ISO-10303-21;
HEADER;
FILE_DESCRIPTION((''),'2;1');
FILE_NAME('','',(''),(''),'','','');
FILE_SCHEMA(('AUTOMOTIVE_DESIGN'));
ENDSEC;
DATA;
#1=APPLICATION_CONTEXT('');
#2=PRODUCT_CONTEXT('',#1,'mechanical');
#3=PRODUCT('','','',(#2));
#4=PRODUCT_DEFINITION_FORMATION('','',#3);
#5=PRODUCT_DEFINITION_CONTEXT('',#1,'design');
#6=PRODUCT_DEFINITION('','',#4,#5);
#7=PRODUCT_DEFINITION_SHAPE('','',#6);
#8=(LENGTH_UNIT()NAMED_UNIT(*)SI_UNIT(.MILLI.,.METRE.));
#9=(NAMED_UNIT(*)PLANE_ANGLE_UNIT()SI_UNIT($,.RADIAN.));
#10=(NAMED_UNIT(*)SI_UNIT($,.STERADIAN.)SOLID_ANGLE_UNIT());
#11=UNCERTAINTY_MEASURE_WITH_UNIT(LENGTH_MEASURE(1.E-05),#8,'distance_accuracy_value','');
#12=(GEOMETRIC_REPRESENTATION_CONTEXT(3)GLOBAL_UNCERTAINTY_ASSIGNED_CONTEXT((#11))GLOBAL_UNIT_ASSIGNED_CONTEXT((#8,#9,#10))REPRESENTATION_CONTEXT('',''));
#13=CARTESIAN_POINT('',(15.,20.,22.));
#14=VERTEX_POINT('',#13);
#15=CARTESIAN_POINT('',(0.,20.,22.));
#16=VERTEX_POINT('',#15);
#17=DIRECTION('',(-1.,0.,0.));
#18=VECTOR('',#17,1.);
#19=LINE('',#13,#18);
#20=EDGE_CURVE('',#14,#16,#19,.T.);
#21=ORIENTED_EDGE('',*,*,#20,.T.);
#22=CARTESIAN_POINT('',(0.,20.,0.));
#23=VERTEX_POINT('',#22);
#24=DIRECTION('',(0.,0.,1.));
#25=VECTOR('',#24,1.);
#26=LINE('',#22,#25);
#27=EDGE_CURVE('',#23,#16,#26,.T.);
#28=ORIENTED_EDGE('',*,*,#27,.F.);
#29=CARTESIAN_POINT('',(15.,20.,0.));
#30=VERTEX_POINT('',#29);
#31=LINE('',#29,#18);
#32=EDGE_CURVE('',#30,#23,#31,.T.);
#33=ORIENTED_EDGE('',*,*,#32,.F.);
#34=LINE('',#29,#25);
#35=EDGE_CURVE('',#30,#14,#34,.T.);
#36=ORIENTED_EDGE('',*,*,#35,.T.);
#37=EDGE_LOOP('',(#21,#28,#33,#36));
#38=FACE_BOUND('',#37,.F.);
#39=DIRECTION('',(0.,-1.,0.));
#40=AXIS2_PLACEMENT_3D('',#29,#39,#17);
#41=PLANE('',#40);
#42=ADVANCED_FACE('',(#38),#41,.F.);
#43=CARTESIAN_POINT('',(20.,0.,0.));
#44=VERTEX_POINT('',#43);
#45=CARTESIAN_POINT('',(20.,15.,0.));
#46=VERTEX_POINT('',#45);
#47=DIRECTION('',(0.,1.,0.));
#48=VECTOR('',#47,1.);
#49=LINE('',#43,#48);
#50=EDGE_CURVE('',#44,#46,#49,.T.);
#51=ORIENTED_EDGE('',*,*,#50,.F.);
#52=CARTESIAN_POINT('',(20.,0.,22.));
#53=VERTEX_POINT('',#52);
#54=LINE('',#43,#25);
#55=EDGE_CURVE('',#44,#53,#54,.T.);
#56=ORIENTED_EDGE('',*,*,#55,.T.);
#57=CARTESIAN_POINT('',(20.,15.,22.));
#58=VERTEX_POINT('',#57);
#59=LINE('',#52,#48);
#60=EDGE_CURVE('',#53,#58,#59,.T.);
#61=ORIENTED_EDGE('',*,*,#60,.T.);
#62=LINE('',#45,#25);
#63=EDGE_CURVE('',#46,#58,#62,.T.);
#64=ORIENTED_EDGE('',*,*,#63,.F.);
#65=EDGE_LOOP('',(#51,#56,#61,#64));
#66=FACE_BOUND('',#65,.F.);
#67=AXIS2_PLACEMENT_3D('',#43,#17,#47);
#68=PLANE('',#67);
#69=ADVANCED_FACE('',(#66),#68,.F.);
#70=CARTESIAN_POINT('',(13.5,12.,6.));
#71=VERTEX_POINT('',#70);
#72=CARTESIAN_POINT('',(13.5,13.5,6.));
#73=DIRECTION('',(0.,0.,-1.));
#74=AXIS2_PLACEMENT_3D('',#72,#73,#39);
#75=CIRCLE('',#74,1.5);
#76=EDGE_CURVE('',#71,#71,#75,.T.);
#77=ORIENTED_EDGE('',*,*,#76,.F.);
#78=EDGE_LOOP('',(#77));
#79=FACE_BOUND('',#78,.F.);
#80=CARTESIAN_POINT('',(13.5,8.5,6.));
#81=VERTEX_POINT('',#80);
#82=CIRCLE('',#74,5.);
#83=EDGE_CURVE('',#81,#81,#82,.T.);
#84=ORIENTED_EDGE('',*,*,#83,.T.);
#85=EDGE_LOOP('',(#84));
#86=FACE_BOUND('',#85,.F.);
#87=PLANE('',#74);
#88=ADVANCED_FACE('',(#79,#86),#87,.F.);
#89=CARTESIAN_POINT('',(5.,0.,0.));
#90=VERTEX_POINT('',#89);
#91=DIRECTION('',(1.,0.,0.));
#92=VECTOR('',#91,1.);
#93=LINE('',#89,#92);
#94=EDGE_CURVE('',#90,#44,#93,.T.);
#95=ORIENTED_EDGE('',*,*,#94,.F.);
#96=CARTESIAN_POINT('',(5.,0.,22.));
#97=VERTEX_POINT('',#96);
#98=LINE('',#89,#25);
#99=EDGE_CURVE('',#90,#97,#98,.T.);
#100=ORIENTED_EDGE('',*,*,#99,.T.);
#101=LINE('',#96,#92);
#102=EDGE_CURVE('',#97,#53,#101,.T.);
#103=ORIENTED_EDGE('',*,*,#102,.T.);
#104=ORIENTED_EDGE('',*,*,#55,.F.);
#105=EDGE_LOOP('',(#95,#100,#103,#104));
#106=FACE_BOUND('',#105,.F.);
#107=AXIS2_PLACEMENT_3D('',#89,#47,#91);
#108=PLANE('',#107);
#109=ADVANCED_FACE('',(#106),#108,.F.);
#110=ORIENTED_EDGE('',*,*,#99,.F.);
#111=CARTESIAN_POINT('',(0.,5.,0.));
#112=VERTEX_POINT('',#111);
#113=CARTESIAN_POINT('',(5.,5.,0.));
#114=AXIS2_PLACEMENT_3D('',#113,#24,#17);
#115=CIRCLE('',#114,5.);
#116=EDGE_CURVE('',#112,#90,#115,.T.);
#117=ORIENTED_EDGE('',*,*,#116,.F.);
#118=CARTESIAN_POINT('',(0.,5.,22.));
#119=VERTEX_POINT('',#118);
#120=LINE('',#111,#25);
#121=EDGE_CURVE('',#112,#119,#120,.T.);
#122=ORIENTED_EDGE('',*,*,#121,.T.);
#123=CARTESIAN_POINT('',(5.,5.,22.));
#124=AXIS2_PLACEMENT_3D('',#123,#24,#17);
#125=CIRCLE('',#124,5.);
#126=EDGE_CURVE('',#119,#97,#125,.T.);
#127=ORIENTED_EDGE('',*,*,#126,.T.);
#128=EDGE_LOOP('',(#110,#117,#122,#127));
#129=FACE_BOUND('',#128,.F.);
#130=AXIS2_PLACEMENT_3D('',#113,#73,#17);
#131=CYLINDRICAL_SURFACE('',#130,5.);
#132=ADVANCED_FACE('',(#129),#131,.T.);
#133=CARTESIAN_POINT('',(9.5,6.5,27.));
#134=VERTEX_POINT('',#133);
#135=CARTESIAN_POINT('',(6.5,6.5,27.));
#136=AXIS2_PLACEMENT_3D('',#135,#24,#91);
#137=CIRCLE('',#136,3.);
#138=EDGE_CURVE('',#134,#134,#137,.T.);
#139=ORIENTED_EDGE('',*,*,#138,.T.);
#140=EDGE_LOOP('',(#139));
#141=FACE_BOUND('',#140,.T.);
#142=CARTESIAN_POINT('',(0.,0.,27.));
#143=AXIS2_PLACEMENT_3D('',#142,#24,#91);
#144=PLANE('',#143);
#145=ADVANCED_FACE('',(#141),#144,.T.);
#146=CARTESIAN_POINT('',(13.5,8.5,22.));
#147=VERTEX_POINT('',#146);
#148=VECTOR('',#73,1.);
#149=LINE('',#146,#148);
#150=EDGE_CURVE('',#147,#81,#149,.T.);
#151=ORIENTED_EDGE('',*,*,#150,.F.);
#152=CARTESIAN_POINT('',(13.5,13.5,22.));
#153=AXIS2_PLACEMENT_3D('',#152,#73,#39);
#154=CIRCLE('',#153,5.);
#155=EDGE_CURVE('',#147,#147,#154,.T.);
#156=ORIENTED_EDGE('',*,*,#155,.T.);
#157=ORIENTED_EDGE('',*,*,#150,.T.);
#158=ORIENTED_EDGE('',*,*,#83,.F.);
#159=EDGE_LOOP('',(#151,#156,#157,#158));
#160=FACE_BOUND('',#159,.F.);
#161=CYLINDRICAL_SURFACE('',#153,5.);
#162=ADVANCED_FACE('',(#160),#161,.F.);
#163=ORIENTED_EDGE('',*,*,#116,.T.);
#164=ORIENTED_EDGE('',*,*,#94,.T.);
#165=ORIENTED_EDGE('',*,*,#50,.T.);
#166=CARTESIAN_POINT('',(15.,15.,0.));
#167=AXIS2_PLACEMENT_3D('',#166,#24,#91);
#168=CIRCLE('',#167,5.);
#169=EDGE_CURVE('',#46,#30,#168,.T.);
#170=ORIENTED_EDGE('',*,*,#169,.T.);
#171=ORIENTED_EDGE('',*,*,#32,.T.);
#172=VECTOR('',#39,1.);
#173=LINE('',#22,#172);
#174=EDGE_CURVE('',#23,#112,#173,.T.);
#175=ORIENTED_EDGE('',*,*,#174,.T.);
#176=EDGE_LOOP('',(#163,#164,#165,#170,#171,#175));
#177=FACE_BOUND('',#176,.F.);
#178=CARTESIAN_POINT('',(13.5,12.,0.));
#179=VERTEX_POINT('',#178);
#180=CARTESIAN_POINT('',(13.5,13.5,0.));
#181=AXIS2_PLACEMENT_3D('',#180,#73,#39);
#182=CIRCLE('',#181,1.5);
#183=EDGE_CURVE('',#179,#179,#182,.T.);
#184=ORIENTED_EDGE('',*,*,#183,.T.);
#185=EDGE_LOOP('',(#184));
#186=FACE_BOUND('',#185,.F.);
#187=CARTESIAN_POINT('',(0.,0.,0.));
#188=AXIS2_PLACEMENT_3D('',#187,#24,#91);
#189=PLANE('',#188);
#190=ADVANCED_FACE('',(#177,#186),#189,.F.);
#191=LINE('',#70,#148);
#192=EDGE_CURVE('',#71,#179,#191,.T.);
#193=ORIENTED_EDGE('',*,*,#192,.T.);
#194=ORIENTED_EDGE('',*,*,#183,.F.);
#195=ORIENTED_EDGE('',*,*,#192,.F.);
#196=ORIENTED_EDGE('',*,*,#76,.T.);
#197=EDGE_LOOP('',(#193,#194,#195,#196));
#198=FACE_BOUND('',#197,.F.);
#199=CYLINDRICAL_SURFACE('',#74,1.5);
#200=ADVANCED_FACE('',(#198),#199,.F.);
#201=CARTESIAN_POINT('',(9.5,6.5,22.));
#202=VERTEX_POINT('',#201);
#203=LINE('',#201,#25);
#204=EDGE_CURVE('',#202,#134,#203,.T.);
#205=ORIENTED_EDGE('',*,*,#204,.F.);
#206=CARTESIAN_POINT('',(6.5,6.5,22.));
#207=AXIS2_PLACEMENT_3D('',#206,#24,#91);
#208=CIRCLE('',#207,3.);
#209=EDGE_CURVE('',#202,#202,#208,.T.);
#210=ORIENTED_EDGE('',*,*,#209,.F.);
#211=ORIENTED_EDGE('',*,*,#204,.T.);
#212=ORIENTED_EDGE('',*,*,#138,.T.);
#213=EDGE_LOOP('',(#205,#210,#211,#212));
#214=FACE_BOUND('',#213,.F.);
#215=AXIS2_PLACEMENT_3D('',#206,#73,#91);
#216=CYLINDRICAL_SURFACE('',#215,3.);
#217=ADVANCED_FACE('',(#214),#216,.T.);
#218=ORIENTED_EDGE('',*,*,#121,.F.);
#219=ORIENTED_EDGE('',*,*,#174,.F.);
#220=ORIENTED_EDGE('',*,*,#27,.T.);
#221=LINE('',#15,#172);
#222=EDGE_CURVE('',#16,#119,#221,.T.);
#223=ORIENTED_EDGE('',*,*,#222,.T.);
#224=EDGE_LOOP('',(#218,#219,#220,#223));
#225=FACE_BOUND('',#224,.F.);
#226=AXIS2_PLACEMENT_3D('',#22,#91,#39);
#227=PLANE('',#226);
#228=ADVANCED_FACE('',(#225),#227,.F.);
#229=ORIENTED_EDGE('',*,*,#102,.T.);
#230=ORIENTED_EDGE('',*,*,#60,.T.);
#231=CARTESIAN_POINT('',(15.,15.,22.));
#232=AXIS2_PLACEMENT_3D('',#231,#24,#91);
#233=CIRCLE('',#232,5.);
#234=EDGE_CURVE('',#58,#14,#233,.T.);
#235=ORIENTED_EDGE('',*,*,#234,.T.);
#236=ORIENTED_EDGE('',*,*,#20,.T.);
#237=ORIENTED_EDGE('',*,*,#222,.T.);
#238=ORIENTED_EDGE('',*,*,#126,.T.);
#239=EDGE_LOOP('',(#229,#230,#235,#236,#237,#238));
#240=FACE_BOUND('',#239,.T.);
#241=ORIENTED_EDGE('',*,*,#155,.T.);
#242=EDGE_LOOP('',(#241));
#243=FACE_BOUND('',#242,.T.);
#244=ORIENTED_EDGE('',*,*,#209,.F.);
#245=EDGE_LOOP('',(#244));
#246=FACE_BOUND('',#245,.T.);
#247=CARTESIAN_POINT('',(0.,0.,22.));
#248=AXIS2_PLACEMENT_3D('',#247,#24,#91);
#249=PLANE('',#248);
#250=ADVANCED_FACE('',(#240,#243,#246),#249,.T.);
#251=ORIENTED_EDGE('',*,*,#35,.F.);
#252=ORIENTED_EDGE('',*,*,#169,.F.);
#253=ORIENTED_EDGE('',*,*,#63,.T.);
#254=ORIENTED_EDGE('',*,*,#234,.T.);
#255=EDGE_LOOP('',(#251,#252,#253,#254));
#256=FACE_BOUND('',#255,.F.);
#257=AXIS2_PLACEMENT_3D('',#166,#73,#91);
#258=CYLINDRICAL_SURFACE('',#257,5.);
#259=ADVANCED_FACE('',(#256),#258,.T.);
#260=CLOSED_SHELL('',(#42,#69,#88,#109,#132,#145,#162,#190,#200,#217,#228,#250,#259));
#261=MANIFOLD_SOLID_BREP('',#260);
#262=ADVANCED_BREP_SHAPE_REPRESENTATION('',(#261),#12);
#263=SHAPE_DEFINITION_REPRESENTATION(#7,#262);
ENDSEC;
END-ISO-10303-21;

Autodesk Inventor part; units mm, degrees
ref_plane "YZ Plane" through (0, 0, 0) normal (1, 0, 0) x (0, 1, 0)
ref_plane "XZ Plane" through (0, 0, 0) normal (0, 1, 0) x (-1, 0, 0)
ref_plane "XY Plane" through (0, 0, 0) normal (0, 0, 1) x (1, 0, 0)
sketch "Sketch1" plane through (0, 0, 0) normal (0, 0, 1) x (1, 0, 0)
  line L0 (5, 0) -> (20, 0)
  line L1 (20, 0) -> (20, 15)
  line L2 (15, 20) -> (0, 20)
  line L3 (0, 20) -> (0, 5)
  arc A0 (20, 15) -> (15, 20) centre (15, 15) ccw
  arc A1 (0, 5) -> (5, 0) centre (5, 5) ccw
  point P0 (0, 0)
  point P1 (20, 20)
  dimension "d0" = 20
  dimension "d1" = 20
  dimension "d4" = 5
  dimension "d5" = 5
extrude "Extrusion1" add sketch "Sketch1" along normal blind 22
sketch "Sketch2" plane through (0, 0, 22) normal (0, 0, 1) x (1, 0, 0)
  line L0 (15, 20) -> (0, 20) projected
  line L1 (20, 0) -> (20, 15) projected
  point P0 (0, 0)
  point P1 (13.5, 13.5)
  dimension "d13" = 6.5
  dimension "d14" = 6.5
hole "Hole1" at (13.5, 13.5, 22) direction (0, 0, -1) diameter 10 depth 16
sketch "Sketch3" plane through (13.5, 13.5, 6) normal (0, 0, 1) x (1, 0, 0)
  line L0 (6.5, -13.5) -> (6.5, 1.5) projected
  line L1 (1.5, 6.5) -> (-13.5, 6.5) projected
  point P0 (-13.5, -13.5)
  point P1 (0, 0)
  dimension "d22" = 6.5
  dimension "d23" = 6.5
hole "Hole2" at (13.5, 13.5, 6) direction (0, 0, -1) diameter 3 depth 16
sketch "Sketch4" plane through (0, 0, 22) normal (0, 0, 1) x (1, 0, 0)
  circle A0 centre (6.5, 6.5) radius 3
  line L0 (5, 0) -> (20, 0) projected
  line L1 (0, 20) -> (0, 5) projected
  point P0 (0, 0)
  dimension "d24" = 6
  dimension "d25" = 6.5
  dimension "d26" = 6.5
extrude "Extrusion2" add sketch "Sketch4" along normal blind 5
properties part number "spacer dubbele hoogte behuizing zonder magneet"
